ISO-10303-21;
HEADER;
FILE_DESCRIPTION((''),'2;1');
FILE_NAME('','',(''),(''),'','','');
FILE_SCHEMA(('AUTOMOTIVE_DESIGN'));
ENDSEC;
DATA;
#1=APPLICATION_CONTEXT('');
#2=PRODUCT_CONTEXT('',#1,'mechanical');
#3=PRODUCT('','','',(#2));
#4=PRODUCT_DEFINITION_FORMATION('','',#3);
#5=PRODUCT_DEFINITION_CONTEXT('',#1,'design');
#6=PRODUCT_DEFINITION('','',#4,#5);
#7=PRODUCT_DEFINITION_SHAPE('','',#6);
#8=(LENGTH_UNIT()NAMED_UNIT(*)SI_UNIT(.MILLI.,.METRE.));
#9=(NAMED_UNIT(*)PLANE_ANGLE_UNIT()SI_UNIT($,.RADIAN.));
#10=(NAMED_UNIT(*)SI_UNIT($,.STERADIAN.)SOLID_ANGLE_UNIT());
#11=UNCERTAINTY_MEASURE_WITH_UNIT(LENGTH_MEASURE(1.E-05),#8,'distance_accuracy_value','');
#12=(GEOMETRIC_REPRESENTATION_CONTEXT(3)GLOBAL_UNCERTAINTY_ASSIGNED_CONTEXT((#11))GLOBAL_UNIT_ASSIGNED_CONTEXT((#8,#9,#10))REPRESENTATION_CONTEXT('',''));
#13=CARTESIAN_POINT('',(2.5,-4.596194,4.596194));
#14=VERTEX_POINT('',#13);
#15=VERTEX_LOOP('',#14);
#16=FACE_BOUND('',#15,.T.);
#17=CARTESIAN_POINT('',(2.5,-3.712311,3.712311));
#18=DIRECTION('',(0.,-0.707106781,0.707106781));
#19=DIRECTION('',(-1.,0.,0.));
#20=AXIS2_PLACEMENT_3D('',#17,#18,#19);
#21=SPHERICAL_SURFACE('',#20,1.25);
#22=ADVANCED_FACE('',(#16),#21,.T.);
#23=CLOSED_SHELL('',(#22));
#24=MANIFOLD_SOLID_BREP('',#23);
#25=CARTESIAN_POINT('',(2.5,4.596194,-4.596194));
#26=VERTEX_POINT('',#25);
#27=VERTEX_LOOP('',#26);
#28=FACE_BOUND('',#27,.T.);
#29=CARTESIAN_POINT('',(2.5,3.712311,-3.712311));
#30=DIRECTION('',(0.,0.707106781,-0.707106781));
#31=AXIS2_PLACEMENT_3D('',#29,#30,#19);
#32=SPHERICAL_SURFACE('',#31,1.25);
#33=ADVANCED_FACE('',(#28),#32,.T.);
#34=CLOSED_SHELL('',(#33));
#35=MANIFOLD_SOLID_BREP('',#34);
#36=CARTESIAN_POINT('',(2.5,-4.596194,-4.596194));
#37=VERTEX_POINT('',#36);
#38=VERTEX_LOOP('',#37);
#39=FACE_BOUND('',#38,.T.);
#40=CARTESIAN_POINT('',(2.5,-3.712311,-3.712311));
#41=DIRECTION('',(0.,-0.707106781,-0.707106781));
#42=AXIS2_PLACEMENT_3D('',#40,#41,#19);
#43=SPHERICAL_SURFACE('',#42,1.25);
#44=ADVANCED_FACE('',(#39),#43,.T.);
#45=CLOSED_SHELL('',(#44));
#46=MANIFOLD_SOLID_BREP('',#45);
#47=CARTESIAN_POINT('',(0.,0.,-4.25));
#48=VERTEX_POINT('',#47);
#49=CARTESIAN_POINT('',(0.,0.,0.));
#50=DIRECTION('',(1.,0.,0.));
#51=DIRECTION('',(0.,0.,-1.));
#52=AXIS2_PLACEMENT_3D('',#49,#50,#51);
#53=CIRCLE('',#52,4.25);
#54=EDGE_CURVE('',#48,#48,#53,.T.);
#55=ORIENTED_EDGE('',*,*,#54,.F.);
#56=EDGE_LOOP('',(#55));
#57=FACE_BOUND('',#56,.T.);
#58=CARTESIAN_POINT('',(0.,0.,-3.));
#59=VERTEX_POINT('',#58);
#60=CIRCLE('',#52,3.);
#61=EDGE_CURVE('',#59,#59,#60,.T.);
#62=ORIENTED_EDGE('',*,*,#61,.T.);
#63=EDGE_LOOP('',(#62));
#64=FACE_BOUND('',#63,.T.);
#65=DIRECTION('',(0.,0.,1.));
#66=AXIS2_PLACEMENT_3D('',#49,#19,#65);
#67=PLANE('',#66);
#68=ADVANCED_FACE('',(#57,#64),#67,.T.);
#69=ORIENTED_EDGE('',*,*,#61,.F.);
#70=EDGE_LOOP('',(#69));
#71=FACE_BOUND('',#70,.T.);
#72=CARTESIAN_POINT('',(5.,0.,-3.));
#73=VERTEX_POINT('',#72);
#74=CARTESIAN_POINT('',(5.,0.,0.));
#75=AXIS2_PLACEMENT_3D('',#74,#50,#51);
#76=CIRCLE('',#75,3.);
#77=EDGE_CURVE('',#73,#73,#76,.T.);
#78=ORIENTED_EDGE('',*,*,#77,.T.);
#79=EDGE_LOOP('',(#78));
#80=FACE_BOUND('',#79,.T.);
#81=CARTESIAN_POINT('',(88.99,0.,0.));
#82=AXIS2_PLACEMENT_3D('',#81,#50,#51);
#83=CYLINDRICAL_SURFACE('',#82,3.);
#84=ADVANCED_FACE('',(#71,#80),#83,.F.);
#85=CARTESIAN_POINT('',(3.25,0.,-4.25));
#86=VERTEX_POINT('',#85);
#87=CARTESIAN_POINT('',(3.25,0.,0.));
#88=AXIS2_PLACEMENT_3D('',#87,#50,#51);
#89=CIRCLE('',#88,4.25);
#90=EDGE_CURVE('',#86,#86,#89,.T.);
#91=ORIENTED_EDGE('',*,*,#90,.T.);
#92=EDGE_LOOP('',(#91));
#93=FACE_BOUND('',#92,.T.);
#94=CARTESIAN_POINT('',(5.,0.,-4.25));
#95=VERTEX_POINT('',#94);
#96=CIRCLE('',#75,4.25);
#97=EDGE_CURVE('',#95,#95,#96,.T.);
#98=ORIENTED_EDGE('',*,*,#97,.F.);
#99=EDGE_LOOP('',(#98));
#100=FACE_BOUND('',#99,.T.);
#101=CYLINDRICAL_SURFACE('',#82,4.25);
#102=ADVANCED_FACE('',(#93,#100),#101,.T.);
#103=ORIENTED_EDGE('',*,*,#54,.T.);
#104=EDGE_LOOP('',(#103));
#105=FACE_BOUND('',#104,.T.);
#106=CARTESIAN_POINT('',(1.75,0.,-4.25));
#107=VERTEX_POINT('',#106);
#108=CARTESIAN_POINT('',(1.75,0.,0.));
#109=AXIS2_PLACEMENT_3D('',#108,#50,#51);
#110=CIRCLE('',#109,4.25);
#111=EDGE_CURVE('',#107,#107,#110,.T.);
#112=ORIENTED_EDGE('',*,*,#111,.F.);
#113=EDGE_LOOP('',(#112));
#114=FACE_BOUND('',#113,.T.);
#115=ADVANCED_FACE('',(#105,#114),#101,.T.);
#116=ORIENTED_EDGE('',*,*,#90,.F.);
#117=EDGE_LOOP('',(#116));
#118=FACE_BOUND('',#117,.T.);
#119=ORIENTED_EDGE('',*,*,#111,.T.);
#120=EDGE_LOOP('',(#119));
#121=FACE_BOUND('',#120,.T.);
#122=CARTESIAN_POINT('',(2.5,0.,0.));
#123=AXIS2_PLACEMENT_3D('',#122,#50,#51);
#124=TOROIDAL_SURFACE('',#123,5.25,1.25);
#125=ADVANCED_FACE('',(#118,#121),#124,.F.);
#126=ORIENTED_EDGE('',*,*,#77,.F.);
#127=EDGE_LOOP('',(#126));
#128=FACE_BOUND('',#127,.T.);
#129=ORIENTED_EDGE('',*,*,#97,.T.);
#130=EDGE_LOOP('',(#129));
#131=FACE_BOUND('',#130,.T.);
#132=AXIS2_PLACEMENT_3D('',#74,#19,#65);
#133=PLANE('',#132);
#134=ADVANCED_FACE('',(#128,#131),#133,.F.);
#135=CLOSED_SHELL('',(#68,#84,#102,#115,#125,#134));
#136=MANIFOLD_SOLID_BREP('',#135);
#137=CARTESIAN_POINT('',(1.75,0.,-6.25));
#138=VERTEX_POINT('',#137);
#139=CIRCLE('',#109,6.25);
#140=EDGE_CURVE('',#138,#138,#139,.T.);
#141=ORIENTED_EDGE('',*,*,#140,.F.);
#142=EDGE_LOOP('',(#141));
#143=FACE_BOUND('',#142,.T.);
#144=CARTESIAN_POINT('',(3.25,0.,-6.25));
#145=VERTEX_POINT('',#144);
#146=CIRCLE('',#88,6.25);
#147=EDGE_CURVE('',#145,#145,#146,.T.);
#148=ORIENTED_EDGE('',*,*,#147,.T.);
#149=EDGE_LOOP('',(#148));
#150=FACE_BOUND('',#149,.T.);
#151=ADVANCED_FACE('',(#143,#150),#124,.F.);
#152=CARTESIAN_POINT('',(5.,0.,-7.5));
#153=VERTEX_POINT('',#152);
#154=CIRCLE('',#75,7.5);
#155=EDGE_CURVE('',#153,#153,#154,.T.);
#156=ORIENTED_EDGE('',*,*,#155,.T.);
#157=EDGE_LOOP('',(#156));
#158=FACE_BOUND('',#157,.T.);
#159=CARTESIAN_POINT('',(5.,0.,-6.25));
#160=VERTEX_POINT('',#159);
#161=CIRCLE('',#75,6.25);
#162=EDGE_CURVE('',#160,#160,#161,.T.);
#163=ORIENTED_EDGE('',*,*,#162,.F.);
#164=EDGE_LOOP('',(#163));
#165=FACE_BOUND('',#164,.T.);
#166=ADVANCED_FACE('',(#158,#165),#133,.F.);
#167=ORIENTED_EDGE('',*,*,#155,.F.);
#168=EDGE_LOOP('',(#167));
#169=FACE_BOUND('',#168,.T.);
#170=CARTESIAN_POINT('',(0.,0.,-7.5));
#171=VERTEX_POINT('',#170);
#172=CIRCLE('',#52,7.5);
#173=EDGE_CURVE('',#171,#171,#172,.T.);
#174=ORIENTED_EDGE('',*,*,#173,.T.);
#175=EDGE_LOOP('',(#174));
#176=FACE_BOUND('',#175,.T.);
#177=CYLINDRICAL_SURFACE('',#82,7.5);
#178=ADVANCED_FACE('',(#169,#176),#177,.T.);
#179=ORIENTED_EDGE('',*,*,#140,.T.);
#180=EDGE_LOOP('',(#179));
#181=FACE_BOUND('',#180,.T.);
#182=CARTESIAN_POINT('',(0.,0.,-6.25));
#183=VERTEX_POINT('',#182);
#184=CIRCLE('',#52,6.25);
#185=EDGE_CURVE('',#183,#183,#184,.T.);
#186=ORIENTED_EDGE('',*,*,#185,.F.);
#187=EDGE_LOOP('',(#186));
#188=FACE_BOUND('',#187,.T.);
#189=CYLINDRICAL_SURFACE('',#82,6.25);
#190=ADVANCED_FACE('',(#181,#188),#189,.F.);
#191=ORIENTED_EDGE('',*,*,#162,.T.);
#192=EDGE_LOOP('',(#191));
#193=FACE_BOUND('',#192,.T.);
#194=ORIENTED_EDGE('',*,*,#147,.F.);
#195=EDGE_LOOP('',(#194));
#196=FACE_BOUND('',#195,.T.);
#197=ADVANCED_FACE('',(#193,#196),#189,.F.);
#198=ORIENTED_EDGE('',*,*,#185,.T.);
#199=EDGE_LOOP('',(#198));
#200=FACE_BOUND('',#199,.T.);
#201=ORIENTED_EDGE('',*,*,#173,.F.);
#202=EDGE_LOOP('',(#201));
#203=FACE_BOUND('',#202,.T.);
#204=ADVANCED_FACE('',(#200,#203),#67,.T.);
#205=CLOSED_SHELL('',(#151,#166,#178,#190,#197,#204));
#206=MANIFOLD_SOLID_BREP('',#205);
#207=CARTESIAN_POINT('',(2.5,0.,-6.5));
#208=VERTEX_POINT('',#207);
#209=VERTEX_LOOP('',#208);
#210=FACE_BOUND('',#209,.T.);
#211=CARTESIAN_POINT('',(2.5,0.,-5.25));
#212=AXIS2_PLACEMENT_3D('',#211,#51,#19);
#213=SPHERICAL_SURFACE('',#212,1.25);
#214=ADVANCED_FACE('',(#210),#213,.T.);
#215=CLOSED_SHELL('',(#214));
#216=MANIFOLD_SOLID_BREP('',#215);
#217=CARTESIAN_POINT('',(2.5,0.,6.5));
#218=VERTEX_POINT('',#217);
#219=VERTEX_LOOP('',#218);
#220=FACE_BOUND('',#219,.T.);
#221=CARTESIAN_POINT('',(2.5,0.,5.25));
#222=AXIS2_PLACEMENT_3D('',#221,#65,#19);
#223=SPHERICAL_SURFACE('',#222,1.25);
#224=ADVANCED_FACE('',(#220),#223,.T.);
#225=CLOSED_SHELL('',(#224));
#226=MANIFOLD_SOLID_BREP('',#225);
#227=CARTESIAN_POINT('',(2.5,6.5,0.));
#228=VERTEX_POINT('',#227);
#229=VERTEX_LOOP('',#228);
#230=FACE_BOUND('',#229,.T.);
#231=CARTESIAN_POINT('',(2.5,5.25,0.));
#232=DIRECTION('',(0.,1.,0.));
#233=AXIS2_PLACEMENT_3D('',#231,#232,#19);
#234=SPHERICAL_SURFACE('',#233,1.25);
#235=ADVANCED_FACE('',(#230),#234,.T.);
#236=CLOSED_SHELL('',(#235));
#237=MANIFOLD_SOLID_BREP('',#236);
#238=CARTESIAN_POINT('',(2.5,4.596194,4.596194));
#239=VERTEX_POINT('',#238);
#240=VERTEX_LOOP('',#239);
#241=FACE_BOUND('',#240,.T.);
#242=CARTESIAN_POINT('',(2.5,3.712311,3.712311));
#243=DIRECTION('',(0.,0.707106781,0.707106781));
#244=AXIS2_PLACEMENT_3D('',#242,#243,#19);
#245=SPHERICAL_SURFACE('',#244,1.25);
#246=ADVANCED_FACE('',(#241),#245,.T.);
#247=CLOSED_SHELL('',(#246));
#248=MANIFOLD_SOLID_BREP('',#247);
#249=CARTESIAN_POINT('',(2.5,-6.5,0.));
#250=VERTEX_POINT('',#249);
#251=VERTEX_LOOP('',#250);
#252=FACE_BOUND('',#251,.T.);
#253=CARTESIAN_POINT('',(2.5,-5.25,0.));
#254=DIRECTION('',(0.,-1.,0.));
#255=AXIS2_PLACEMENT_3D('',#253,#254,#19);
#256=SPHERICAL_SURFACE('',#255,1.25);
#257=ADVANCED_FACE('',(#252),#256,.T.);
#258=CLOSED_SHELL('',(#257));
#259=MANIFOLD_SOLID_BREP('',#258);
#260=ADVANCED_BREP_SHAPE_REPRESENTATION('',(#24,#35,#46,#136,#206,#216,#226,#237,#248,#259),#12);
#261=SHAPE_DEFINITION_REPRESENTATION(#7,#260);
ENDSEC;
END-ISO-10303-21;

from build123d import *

# Parameters (mm, degrees)
CIRPATTERN2_COUNT = 8


with BuildPart() as part:
    # Sketch1 → Revolve1 (revolve)
    with BuildSketch(Plane.XY):
        with BuildLine():
            Line((5, 7.5), (0, 7.5))
            Line((0, 7.5), (0, 6.25))
            Line((0, 6.25), (1.75, 6.25))
            ThreePointArc((1.75, 6.25), (2.5, 6.5), (3.25, 6.25))
            Line((3.25, 6.25), (5, 6.25))
            Line((5, 6.25), (5, 7.5))
        make_face()
        with BuildLine():
            ThreePointArc((3.25, 4.25), (2.5, 4), (1.75, 4.25))
            Line((1.75, 4.25), (0, 4.25))
            Line((0, 4.25), (0, 3))
            Line((0, 3), (5, 3))
            Line((5, 3), (5, 4.25))
            Line((5, 4.25), (3.25, 4.25))
        make_face()
    revolve(axis=Axis((88.99, 0, 0), (-1, 0, 0)))


with BuildPart() as body_2:
    # Sketch1<3> → Revolve2 (revolve)
    with BuildSketch(Plane.XY):
        with BuildLine():
            Line((2.5, 4), (2.5, 6.5))
            ThreePointArc((2.5, 6.5), (2.104715292, 6.435854123), (1.75, 6.25))
            ThreePointArc((1.75, 6.25), (1.25, 5.25), (1.75, 4.25))
            ThreePointArc((1.75, 4.25), (2.104715292, 4.064145877), (2.5, 4))
        make_face()
    revolve(axis=Axis((2.5, 7.5, 0), (0, -1, 0)))


with BuildPart() as cirpattern2_1:
    # CirPattern2: pattern copy
    add(body_2.part.rotate(Axis((88.99, 0, 0), (-1, 0, 0)), 1 * 360 / CIRPATTERN2_COUNT))


with BuildPart() as cirpattern2_2:
    # CirPattern2: pattern copy
    add(body_2.part.rotate(Axis((88.99, 0, 0), (-1, 0, 0)), 2 * 360 / CIRPATTERN2_COUNT))


with BuildPart() as cirpattern2_3:
    # CirPattern2: pattern copy
    add(body_2.part.rotate(Axis((88.99, 0, 0), (-1, 0, 0)), 3 * 360 / CIRPATTERN2_COUNT))


with BuildPart() as cirpattern2_4:
    # CirPattern2: pattern copy
    add(body_2.part.rotate(Axis((88.99, 0, 0), (-1, 0, 0)), 4 * 360 / CIRPATTERN2_COUNT))


with BuildPart() as cirpattern2_5:
    # CirPattern2: pattern copy
    add(body_2.part.rotate(Axis((88.99, 0, 0), (-1, 0, 0)), 5 * 360 / CIRPATTERN2_COUNT))


with BuildPart() as cirpattern2_6:
    # CirPattern2: pattern copy
    add(body_2.part.rotate(Axis((88.99, 0, 0), (-1, 0, 0)), 6 * 360 / CIRPATTERN2_COUNT))


with BuildPart() as cirpattern2_7:
    # CirPattern2: pattern copy
    add(body_2.part.rotate(Axis((88.99, 0, 0), (-1, 0, 0)), 7 * 360 / CIRPATTERN2_COUNT))


solid = Compound([part.part, body_2.part, cirpattern2_1.part, cirpattern2_2.part, cirpattern2_3.part, cirpattern2_4.part, cirpattern2_5.part, cirpattern2_6.part, cirpattern2_7.part])
